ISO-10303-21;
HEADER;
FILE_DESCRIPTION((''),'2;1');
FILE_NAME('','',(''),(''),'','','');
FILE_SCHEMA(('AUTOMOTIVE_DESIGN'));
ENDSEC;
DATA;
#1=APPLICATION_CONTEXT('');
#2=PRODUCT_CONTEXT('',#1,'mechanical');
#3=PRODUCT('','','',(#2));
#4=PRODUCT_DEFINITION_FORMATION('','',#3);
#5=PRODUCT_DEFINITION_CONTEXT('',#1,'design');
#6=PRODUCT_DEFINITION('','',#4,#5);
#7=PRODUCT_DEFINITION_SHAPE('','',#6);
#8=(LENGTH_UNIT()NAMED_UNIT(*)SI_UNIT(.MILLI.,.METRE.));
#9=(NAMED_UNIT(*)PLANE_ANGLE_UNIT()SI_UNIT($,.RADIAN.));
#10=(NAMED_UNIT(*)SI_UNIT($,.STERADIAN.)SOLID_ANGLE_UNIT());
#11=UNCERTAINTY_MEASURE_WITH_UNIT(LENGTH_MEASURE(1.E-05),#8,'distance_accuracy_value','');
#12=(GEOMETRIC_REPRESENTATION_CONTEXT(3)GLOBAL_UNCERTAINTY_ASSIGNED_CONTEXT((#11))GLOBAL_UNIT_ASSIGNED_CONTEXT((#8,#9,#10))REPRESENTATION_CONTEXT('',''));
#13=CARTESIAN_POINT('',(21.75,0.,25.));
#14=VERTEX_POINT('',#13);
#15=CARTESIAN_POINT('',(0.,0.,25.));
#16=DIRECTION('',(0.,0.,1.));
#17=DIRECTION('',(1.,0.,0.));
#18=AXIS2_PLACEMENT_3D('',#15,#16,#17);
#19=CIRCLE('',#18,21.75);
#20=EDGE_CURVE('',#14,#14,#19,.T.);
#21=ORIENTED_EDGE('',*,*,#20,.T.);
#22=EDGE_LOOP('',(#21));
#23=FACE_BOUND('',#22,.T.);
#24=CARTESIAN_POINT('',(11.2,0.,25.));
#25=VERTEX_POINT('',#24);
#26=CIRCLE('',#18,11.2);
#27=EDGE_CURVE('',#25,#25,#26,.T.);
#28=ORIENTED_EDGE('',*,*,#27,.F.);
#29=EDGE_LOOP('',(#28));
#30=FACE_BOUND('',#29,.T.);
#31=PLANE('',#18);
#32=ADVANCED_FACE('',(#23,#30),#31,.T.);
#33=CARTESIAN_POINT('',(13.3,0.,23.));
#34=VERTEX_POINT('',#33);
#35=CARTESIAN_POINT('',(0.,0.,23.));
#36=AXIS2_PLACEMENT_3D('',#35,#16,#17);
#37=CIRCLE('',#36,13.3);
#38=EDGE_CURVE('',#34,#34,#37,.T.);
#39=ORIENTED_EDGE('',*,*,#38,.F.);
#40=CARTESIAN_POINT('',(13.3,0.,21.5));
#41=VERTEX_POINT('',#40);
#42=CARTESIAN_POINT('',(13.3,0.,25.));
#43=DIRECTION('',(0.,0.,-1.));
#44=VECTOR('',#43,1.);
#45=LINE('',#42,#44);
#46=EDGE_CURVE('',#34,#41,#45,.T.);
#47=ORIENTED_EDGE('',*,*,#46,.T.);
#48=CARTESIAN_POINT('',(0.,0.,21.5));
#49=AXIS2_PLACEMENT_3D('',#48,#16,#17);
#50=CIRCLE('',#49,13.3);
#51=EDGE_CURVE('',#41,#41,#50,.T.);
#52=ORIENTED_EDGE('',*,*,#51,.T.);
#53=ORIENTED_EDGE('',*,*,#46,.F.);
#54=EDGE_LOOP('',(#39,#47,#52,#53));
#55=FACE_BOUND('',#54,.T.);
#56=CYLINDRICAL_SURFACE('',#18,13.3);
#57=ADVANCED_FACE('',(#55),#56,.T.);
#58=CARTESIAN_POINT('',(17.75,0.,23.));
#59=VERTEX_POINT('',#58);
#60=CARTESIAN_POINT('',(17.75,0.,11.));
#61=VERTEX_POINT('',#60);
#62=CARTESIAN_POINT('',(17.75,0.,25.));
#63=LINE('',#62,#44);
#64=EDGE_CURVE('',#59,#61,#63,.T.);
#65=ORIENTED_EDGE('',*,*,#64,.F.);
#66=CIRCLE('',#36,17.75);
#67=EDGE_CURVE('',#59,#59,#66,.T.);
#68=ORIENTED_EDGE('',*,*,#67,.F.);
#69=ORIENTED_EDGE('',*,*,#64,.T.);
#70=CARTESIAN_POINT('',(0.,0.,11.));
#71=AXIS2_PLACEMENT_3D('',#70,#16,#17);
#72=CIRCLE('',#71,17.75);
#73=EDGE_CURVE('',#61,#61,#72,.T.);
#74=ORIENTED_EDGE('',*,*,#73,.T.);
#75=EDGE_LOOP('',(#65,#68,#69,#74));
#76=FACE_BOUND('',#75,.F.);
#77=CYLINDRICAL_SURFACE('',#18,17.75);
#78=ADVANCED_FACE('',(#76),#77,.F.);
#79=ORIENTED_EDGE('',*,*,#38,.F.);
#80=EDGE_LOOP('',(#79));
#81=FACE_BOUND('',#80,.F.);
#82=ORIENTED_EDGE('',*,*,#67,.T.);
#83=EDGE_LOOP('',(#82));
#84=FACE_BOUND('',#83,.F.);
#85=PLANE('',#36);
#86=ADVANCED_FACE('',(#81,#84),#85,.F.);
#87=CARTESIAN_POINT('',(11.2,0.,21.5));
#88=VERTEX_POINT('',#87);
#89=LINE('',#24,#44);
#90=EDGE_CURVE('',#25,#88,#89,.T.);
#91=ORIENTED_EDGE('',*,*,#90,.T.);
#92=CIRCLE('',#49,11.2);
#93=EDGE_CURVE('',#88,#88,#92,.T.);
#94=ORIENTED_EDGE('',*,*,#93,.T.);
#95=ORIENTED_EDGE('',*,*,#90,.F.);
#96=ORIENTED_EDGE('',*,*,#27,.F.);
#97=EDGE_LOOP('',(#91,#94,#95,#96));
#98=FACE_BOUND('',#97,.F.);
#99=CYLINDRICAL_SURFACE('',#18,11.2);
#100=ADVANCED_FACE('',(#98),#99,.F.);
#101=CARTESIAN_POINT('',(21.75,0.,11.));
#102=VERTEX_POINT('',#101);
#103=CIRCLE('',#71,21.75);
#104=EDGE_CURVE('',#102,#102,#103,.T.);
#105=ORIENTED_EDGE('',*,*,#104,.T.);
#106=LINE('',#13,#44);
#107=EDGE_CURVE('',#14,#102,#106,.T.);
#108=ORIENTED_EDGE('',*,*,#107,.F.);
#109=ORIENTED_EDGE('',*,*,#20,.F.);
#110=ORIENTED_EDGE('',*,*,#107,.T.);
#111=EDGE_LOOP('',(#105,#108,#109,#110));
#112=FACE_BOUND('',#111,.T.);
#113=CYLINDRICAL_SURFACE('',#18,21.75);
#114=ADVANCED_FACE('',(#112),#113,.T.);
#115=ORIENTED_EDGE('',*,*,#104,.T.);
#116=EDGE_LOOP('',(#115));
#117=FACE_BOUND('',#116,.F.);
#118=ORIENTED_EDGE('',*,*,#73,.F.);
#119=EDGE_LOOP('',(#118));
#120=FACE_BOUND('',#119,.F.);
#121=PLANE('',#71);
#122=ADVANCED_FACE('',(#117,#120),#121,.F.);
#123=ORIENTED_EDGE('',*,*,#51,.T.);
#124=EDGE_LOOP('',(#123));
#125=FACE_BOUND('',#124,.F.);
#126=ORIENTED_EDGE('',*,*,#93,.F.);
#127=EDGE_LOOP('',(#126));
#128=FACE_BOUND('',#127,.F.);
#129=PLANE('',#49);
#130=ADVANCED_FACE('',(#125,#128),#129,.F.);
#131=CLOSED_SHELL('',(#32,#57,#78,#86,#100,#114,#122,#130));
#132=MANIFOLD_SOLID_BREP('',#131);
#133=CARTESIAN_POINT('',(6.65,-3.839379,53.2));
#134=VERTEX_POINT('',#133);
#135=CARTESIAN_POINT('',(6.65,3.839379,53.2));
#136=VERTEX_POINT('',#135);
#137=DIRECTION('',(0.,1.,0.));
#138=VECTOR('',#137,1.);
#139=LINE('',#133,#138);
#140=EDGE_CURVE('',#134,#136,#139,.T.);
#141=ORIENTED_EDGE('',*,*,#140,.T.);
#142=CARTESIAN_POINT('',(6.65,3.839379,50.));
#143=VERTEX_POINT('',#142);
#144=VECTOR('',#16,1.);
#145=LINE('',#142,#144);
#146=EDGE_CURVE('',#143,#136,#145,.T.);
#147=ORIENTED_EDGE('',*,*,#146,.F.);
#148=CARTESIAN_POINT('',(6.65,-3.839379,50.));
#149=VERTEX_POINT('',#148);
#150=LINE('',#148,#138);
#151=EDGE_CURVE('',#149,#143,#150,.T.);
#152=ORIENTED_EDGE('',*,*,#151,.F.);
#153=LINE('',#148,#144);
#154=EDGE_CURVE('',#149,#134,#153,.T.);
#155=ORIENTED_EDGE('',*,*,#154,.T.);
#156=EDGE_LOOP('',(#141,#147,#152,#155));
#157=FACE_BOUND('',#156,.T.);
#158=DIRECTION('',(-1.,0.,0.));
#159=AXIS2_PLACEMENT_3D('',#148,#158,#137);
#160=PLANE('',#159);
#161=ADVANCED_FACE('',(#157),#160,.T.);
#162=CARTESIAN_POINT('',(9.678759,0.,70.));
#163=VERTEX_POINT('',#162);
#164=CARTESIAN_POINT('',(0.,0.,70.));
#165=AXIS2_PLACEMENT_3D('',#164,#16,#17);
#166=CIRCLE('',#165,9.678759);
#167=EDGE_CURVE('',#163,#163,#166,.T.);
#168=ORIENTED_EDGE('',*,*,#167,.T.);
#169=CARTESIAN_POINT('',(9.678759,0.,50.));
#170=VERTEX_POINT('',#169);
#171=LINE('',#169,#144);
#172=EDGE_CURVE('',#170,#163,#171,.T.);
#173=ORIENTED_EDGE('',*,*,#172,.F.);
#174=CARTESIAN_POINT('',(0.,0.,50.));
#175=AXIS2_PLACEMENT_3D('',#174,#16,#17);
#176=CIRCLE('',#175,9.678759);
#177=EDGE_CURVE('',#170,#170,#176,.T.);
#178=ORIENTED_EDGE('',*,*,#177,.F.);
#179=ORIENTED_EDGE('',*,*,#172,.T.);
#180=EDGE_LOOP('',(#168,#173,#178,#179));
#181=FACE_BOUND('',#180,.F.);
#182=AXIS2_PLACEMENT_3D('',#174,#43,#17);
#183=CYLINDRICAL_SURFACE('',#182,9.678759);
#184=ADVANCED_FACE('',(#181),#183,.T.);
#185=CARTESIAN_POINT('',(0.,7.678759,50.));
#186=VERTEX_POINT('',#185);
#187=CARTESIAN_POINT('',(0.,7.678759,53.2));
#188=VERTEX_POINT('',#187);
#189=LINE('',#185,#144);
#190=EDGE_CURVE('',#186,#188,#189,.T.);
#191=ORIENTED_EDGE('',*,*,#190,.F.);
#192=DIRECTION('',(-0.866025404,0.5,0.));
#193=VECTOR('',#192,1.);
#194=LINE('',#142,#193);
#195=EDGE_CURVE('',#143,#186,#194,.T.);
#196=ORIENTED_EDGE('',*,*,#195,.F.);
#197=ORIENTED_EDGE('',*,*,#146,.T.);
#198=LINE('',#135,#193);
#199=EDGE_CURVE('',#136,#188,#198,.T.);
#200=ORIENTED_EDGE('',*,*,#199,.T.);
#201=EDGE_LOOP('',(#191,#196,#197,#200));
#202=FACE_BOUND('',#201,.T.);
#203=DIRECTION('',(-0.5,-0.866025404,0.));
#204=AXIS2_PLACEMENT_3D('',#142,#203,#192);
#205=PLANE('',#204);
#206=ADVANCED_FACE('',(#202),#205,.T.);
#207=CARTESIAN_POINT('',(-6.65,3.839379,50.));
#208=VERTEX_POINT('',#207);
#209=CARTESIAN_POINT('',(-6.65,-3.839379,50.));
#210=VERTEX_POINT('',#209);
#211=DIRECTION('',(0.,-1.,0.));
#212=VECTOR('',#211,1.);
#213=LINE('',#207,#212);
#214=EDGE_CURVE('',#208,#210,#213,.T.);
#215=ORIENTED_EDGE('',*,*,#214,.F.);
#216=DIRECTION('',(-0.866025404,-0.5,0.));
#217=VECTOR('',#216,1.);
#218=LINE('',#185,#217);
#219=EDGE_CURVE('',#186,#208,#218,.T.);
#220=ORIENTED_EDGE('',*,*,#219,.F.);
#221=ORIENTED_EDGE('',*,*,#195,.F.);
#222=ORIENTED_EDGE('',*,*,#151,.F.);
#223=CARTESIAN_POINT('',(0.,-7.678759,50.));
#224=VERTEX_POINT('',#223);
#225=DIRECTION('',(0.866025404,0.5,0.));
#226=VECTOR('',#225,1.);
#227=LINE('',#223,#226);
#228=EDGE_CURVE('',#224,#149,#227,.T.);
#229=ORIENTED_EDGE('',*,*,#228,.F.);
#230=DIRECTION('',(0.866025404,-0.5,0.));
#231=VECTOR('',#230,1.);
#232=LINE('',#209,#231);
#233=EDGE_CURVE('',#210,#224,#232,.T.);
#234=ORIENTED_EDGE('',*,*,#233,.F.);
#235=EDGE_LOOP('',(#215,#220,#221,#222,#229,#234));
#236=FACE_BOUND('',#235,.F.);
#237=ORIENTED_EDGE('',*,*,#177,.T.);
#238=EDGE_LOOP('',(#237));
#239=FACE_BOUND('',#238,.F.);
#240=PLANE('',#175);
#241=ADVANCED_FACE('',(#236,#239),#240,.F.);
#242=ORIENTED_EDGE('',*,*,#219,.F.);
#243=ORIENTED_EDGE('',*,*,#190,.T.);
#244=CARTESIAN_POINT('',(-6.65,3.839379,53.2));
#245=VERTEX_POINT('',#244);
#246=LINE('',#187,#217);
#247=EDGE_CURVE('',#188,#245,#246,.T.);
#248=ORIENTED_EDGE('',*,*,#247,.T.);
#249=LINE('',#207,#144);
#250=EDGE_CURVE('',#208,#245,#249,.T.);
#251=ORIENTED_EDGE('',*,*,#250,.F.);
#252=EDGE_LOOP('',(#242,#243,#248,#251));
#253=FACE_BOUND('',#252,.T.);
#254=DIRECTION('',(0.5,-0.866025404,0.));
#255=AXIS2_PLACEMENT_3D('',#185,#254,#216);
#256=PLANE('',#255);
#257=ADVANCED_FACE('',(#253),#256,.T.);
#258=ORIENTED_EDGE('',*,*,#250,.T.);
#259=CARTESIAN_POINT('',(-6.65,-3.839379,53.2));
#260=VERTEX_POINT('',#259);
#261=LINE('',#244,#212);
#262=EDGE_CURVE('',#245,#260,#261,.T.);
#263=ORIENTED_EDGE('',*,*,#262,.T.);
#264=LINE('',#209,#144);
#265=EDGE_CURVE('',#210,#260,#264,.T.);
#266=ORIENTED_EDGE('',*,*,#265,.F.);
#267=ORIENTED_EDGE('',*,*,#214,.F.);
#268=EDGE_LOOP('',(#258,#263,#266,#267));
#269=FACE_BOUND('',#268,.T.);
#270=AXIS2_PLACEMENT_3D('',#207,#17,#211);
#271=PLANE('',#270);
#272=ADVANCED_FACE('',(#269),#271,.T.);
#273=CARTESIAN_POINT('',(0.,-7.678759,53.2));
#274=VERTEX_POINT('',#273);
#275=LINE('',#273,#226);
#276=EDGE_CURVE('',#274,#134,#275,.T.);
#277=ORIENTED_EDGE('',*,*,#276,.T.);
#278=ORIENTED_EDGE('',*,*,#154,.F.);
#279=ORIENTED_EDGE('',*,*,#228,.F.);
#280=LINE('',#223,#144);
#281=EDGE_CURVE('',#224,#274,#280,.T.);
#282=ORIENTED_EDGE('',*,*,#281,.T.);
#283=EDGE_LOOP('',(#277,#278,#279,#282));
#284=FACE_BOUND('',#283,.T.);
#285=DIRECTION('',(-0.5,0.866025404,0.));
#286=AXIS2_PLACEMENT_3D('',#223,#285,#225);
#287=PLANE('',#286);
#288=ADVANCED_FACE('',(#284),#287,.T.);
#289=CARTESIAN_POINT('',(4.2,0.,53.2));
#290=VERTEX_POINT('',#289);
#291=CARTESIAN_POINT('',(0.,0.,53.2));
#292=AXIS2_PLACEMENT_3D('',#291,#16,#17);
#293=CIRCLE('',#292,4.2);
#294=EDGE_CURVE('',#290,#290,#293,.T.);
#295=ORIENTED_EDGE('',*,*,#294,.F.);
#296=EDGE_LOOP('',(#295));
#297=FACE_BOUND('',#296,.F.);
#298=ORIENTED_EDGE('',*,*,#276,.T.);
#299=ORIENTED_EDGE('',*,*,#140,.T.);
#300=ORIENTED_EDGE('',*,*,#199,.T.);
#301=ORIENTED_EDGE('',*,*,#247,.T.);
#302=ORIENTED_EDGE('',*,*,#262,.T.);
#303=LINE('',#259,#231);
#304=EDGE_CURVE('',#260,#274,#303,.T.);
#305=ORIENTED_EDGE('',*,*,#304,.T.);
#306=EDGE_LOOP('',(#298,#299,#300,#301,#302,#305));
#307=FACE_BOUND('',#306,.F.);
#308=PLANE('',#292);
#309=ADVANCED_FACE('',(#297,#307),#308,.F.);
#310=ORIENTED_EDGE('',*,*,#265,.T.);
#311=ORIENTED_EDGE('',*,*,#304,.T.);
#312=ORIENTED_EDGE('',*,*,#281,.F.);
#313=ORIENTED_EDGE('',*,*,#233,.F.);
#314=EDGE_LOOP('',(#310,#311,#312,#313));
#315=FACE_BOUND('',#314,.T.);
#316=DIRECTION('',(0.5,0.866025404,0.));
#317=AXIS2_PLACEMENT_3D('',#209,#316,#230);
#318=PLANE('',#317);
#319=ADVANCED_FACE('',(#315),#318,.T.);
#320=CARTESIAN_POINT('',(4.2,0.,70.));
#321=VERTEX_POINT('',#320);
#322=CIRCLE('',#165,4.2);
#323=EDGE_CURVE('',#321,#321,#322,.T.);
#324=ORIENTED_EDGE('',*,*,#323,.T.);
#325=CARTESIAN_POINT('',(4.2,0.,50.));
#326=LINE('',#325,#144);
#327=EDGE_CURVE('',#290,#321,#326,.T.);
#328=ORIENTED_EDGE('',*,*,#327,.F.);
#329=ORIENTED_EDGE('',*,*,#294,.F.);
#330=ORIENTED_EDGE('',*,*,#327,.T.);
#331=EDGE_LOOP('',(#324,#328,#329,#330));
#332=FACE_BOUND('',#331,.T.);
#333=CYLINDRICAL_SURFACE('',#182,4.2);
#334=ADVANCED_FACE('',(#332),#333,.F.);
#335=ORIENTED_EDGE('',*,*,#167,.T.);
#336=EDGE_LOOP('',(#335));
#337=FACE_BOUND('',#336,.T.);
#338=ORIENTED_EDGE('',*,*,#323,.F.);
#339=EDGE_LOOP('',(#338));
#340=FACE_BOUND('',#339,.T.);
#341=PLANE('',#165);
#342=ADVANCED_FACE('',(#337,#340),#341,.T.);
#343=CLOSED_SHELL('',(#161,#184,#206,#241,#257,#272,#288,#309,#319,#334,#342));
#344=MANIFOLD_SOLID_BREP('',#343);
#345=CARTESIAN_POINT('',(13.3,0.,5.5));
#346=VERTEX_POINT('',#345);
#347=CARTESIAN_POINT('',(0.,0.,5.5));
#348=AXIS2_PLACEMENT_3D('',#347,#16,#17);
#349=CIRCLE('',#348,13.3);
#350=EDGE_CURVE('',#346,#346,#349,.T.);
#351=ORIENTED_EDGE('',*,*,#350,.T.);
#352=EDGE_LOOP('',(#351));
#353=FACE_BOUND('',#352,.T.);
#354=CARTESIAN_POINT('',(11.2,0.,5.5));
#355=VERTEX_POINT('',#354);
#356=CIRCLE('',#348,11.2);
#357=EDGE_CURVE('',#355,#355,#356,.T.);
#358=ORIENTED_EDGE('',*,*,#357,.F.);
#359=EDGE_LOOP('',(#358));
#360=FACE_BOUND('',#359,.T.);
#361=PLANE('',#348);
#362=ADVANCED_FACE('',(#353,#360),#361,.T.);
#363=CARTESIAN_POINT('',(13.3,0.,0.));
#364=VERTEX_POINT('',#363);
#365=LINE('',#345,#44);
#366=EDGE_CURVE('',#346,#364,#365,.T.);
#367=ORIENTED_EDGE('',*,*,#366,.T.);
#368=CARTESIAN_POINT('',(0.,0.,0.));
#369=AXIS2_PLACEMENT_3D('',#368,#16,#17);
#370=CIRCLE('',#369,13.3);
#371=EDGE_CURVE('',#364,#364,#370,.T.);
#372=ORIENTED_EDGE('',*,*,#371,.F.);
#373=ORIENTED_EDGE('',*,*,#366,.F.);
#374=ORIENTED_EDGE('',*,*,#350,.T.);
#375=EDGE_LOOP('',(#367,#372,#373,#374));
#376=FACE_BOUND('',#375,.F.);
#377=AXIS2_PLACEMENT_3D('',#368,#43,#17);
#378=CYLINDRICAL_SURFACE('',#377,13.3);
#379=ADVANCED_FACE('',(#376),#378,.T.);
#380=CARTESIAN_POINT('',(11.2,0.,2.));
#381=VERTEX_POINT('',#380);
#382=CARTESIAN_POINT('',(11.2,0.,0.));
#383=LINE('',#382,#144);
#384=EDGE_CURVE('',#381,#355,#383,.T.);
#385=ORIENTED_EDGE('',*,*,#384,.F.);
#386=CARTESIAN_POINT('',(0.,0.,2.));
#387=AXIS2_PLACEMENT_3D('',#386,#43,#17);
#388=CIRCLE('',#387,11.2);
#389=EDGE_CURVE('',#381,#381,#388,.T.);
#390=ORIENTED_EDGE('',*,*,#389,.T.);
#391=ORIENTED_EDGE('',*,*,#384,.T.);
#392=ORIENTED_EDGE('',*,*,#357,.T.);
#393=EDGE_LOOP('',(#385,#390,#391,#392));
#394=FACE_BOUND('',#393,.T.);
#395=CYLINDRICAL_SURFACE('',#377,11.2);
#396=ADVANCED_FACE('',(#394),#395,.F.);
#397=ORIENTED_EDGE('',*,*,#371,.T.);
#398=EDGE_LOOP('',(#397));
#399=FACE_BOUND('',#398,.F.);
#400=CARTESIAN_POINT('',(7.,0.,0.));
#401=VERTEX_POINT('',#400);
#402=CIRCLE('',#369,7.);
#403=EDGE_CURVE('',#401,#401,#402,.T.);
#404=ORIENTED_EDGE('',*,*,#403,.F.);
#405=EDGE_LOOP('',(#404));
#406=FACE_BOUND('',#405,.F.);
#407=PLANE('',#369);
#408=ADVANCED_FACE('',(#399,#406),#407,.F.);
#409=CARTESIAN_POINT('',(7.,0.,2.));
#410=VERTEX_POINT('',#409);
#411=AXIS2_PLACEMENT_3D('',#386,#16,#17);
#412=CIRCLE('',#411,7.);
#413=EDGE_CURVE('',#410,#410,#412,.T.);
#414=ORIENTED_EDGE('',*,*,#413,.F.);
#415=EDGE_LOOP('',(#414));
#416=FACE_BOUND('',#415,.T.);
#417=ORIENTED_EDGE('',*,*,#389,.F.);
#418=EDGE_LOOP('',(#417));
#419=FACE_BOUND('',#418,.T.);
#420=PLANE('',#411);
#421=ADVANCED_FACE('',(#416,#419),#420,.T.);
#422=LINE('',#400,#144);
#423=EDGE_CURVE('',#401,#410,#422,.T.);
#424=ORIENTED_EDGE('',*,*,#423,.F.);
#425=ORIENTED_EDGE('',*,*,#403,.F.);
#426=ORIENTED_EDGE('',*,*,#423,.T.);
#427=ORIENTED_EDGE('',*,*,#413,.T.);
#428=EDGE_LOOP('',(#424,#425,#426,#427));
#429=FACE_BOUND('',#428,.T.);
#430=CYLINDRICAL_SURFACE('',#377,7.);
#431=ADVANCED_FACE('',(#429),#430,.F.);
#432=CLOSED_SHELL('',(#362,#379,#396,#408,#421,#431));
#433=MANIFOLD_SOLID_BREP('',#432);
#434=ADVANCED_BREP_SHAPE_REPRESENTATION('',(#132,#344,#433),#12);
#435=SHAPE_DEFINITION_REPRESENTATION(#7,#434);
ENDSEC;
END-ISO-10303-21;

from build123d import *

# Parameters (mm, degrees)
F4_R      = 13.3
F4_R_2    = 11.2
F4_R_3    = 7
F5_DEPTH  = 2
F6_DEPTH  = 5.5
F8_R      = 13.3
F8_R_2    = 11.2
F9_DEPTH  = 3.5
F8_R_3    = 17.75
F10_DEPTH = 2
F8_R_4    = 21.75
F11_DEPTH = 14
F13_R     = 9.6787585802
F13_R_2   = 4.2
F14_DEPTH = 20
F15_DEPTH = 3.2


with BuildPart() as f5:
    # F4 (on Top) → F5 (new body)
    with BuildSketch(Plane.XY):
        Circle(F4_R)
        Circle(F4_R_2, mode=Mode.SUBTRACT)
        Circle(F4_R_2)
        Circle(F4_R_3, mode=Mode.SUBTRACT)
    extrude(amount=F5_DEPTH)

    # F4 (on Top) → F6 (join)
    with BuildSketch(Plane.XY):
        Circle(F4_R)
        Circle(F4_R_2, mode=Mode.SUBTRACT)
    extrude(amount=F6_DEPTH)


with BuildPart() as f9:
    # F8 (on offset) → F9 (new body)
    with BuildSketch(Plane.XY.offset(25)):
        Circle(F8_R)
        Circle(F8_R_2, mode=Mode.SUBTRACT)
    extrude(amount=-F9_DEPTH)

    # F8 (on offset) → F10 (join)
    with BuildSketch(Plane.XY.offset(25)):
        Circle(F8_R_3)
        Circle(F8_R, mode=Mode.SUBTRACT)
    extrude(amount=-F10_DEPTH)

    # F8 (on offset) → F11 (join)
    with BuildSketch(Plane.XY.offset(25)):
        Circle(F8_R_4)
        Circle(F8_R_3, mode=Mode.SUBTRACT)
    extrude(amount=-F11_DEPTH)


with BuildPart() as f14:
    # F13 (on offset) → F14 (new body)
    with BuildSketch(Plane.XY.offset(50)):
        Circle(F13_R)
        Polygon((0, 7.6787585802), (6.65, 3.8393792901), (6.65, -3.8393792901), (0, -7.6787585802), (-6.65, -3.8393792901), (-6.65, 3.8393792901), align=None, mode=Mode.SUBTRACT)
        Polygon((6.65, -3.8393792901), (6.65, 3.8393792901), (0, 7.6787585802), (-6.65, 3.8393792901), (-6.65, -3.8393792901), (0, -7.6787585802), align=None)
        Circle(F13_R_2, mode=Mode.SUBTRACT)
    extrude(amount=F14_DEPTH)

    # F13 (on offset) → F15 (cut)
    with BuildSketch(Plane.XY.offset(50)):
        Polygon((6.65, -3.8393792901), (6.65, 3.8393792901), (0, 7.6787585802), (-6.65, 3.8393792901), (-6.65, -3.8393792901), (0, -7.6787585802), align=None)
        Circle(F13_R_2, mode=Mode.SUBTRACT)
    extrude(amount=F15_DEPTH, mode=Mode.SUBTRACT)


solid = Compound([f5.part, f9.part, f14.part])
